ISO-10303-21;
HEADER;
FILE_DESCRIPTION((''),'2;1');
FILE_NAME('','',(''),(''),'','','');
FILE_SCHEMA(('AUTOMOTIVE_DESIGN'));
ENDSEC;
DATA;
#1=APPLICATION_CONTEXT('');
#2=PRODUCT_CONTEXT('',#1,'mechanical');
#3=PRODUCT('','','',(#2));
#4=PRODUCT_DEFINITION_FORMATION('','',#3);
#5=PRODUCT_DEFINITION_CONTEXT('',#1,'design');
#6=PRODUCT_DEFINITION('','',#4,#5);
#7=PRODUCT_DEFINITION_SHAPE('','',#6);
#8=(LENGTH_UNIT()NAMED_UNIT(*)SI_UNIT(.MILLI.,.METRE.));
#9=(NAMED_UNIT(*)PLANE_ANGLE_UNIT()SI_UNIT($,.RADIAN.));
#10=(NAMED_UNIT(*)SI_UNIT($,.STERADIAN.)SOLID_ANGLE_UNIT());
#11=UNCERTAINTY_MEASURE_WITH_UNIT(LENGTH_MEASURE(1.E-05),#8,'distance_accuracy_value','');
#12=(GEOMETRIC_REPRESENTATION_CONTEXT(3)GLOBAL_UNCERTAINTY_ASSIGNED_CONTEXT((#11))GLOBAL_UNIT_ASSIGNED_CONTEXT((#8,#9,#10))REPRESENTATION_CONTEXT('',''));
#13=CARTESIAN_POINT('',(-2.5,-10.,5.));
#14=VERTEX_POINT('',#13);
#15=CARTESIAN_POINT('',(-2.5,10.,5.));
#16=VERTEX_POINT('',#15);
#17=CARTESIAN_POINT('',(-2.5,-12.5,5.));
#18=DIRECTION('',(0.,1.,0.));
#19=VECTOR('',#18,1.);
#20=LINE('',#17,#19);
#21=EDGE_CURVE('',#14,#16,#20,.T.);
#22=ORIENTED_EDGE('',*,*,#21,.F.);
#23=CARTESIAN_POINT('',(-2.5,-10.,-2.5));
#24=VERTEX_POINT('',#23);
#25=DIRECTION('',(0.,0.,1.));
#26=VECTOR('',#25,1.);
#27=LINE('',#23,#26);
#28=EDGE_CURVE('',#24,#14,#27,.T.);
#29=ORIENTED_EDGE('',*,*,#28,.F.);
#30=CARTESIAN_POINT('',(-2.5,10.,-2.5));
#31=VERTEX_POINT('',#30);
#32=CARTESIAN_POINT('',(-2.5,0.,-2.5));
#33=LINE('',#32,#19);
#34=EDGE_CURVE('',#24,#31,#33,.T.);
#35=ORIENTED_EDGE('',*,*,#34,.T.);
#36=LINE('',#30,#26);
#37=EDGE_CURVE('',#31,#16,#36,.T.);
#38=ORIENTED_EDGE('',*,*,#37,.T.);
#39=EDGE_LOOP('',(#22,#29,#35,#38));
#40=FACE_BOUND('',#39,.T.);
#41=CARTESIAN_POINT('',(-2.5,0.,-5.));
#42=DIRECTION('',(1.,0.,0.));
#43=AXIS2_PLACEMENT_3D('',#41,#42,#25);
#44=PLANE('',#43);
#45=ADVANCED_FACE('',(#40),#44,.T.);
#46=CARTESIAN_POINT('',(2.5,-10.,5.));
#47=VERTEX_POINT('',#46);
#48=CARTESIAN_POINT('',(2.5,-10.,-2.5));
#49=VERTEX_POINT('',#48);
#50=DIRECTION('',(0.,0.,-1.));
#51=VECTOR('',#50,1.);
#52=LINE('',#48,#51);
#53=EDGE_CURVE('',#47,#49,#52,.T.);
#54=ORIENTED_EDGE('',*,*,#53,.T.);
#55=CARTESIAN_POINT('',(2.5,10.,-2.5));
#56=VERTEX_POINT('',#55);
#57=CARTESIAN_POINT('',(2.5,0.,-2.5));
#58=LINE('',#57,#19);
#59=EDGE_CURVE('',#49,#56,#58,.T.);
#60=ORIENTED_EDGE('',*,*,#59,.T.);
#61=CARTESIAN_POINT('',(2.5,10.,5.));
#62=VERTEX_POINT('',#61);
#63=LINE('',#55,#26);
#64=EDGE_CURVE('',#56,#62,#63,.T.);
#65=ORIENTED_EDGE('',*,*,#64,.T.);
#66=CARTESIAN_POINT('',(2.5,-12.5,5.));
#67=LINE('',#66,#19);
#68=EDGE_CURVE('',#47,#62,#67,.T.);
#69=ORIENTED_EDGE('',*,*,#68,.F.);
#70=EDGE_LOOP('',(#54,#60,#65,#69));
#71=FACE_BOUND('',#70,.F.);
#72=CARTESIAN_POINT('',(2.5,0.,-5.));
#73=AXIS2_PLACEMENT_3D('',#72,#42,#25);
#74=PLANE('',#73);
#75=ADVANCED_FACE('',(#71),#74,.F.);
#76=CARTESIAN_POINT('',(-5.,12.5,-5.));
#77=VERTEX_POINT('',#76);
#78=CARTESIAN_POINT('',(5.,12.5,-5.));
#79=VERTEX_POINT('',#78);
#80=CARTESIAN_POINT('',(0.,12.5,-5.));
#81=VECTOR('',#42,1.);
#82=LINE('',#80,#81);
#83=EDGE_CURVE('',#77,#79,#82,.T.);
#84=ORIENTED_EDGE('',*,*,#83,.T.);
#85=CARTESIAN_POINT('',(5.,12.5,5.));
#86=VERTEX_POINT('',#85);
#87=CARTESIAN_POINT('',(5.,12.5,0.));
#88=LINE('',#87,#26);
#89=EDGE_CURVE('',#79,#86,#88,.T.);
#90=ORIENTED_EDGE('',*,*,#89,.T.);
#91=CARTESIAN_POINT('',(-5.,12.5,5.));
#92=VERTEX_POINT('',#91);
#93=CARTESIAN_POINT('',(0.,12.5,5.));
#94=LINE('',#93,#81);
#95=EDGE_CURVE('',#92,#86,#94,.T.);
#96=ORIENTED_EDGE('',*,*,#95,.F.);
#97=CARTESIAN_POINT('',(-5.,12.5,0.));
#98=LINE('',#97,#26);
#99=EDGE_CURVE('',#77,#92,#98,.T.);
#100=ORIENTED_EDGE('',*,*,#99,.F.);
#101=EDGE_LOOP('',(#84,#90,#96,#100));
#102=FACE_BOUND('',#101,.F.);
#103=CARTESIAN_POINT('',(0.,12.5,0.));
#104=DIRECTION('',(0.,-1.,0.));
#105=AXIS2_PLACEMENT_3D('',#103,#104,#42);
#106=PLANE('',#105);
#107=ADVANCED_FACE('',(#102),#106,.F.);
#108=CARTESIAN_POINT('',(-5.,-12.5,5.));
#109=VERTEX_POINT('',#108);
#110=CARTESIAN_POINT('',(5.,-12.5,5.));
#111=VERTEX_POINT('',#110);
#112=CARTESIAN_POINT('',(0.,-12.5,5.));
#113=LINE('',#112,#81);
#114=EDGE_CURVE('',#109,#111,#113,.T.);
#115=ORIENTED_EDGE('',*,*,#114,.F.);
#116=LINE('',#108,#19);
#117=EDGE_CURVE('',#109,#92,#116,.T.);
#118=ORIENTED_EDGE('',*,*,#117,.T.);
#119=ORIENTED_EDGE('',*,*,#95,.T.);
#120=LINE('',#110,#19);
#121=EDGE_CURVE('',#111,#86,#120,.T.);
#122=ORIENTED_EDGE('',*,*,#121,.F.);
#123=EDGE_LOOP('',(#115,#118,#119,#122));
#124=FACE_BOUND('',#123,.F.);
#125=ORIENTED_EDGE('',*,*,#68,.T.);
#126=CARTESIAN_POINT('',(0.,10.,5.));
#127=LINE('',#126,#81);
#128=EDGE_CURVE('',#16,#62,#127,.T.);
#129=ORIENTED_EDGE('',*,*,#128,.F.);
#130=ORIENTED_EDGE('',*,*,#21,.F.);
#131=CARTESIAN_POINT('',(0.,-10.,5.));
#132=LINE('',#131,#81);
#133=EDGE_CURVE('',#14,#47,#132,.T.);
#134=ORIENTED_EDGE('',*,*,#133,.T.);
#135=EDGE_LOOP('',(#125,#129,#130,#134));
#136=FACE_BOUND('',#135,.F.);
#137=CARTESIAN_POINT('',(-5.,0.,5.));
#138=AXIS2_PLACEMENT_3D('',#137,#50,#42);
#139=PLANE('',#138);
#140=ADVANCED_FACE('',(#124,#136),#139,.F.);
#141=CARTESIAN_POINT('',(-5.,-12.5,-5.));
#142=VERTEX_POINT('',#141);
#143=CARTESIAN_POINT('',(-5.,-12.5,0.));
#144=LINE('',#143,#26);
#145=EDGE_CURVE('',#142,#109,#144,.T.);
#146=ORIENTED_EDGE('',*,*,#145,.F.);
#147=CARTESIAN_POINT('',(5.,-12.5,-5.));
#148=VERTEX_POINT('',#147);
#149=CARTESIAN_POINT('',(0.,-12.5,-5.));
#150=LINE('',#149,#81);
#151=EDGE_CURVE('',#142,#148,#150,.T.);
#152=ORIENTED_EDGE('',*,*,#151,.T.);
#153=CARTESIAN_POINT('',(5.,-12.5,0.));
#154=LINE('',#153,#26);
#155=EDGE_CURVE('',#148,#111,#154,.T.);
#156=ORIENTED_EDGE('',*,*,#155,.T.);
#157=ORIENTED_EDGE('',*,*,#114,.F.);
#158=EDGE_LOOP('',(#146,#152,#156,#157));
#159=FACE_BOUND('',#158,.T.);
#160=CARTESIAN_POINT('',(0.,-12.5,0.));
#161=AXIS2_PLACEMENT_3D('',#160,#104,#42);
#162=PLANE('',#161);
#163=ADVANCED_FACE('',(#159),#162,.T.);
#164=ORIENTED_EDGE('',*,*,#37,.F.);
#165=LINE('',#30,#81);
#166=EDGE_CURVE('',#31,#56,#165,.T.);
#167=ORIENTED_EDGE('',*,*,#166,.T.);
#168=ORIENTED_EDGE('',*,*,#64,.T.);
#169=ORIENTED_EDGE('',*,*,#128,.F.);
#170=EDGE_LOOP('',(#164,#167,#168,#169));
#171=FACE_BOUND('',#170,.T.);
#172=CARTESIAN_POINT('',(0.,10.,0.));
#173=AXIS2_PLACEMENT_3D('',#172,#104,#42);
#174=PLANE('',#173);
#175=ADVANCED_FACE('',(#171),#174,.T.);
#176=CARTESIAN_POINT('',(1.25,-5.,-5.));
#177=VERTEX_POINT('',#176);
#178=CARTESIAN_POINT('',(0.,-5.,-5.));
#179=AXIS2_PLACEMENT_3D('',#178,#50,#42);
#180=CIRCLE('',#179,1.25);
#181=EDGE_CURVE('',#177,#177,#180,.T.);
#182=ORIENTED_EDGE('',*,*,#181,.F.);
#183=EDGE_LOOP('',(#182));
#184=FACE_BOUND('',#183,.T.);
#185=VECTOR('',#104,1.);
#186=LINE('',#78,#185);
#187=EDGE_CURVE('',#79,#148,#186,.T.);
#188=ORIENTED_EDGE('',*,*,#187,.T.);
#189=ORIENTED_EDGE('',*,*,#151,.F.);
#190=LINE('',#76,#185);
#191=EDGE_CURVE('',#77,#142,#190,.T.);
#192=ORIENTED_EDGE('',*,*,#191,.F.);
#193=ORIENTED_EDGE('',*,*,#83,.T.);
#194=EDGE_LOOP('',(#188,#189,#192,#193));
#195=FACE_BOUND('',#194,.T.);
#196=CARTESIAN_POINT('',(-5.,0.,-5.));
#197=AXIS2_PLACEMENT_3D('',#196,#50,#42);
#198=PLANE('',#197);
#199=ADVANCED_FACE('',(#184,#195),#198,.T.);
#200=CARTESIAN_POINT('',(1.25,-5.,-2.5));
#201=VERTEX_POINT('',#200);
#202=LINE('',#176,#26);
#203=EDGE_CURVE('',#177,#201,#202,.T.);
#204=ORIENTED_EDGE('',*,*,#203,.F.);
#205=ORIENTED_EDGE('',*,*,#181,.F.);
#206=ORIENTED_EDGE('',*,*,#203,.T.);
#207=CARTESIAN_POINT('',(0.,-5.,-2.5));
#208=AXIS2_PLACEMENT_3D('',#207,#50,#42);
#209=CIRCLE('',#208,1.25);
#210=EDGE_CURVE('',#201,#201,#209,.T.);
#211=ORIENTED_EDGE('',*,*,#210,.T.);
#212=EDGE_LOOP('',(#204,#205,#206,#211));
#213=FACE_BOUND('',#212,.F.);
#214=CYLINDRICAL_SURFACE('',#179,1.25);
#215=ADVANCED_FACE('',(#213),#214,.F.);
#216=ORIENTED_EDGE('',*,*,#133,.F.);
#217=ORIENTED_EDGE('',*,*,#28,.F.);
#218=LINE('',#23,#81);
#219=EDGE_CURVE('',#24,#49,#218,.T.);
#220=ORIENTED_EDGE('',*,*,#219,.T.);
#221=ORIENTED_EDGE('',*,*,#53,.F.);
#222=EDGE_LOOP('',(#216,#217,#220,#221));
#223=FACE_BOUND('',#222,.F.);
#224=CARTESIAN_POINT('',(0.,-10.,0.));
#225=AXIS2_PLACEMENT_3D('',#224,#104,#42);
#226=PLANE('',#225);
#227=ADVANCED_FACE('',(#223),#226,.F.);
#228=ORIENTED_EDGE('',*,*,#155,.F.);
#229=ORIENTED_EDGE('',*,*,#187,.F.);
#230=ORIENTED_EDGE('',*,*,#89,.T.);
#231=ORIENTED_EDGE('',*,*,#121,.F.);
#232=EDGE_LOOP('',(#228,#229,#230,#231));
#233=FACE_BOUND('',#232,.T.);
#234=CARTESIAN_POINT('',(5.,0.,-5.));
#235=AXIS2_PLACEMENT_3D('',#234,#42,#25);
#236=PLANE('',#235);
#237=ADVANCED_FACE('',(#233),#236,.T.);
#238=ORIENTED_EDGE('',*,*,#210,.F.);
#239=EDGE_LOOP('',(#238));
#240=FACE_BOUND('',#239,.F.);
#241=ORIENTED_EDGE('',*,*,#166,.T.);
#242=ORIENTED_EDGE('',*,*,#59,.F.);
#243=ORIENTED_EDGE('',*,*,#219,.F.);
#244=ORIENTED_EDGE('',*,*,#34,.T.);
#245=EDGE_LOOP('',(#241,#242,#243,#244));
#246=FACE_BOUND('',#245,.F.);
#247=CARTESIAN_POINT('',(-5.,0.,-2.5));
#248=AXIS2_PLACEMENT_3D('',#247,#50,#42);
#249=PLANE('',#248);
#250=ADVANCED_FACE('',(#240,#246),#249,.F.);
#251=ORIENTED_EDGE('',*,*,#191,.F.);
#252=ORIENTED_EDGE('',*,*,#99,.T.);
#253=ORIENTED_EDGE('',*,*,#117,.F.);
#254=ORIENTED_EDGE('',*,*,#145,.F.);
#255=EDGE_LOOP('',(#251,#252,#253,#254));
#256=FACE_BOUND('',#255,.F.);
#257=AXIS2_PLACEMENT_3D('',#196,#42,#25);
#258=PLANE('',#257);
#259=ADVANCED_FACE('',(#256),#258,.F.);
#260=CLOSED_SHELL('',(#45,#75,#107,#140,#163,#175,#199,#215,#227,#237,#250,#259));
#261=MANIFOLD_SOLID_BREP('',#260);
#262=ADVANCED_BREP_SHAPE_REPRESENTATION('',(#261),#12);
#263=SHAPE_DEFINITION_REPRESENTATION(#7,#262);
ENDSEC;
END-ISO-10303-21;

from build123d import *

# Parameters (mm, degrees)
F0_W     = 10
F0_H     = 10
F1_DEPTH = 12.5
F2_T     = -2.5
F3_R     = 1.25
F4_DEPTH = 10.001


with BuildPart() as f1:
    # F0 (on Front) → F1 (new body, symmetric)
    with BuildSketch(Plane.XZ):
        Rectangle(F0_W, F0_H)
    extrude(amount=F1_DEPTH, both=True)

    # F2
    f2_openings = [f1.faces().sort_by_distance(p)[0] for p in [
        (0, 0, 5),
    ]]
    offset(amount=F2_T, openings=f2_openings)

    # F3 (on face) → F4 (cut, through all)
    with BuildSketch(Plane(origin=(0, 0, -5), x_dir=(1, 0, 0), z_dir=(0, 0, -1))):
        with Locations((0, 5)):
            Circle(F3_R)
    extrude(amount=-F4_DEPTH, mode=Mode.SUBTRACT)


solid = f1.part
